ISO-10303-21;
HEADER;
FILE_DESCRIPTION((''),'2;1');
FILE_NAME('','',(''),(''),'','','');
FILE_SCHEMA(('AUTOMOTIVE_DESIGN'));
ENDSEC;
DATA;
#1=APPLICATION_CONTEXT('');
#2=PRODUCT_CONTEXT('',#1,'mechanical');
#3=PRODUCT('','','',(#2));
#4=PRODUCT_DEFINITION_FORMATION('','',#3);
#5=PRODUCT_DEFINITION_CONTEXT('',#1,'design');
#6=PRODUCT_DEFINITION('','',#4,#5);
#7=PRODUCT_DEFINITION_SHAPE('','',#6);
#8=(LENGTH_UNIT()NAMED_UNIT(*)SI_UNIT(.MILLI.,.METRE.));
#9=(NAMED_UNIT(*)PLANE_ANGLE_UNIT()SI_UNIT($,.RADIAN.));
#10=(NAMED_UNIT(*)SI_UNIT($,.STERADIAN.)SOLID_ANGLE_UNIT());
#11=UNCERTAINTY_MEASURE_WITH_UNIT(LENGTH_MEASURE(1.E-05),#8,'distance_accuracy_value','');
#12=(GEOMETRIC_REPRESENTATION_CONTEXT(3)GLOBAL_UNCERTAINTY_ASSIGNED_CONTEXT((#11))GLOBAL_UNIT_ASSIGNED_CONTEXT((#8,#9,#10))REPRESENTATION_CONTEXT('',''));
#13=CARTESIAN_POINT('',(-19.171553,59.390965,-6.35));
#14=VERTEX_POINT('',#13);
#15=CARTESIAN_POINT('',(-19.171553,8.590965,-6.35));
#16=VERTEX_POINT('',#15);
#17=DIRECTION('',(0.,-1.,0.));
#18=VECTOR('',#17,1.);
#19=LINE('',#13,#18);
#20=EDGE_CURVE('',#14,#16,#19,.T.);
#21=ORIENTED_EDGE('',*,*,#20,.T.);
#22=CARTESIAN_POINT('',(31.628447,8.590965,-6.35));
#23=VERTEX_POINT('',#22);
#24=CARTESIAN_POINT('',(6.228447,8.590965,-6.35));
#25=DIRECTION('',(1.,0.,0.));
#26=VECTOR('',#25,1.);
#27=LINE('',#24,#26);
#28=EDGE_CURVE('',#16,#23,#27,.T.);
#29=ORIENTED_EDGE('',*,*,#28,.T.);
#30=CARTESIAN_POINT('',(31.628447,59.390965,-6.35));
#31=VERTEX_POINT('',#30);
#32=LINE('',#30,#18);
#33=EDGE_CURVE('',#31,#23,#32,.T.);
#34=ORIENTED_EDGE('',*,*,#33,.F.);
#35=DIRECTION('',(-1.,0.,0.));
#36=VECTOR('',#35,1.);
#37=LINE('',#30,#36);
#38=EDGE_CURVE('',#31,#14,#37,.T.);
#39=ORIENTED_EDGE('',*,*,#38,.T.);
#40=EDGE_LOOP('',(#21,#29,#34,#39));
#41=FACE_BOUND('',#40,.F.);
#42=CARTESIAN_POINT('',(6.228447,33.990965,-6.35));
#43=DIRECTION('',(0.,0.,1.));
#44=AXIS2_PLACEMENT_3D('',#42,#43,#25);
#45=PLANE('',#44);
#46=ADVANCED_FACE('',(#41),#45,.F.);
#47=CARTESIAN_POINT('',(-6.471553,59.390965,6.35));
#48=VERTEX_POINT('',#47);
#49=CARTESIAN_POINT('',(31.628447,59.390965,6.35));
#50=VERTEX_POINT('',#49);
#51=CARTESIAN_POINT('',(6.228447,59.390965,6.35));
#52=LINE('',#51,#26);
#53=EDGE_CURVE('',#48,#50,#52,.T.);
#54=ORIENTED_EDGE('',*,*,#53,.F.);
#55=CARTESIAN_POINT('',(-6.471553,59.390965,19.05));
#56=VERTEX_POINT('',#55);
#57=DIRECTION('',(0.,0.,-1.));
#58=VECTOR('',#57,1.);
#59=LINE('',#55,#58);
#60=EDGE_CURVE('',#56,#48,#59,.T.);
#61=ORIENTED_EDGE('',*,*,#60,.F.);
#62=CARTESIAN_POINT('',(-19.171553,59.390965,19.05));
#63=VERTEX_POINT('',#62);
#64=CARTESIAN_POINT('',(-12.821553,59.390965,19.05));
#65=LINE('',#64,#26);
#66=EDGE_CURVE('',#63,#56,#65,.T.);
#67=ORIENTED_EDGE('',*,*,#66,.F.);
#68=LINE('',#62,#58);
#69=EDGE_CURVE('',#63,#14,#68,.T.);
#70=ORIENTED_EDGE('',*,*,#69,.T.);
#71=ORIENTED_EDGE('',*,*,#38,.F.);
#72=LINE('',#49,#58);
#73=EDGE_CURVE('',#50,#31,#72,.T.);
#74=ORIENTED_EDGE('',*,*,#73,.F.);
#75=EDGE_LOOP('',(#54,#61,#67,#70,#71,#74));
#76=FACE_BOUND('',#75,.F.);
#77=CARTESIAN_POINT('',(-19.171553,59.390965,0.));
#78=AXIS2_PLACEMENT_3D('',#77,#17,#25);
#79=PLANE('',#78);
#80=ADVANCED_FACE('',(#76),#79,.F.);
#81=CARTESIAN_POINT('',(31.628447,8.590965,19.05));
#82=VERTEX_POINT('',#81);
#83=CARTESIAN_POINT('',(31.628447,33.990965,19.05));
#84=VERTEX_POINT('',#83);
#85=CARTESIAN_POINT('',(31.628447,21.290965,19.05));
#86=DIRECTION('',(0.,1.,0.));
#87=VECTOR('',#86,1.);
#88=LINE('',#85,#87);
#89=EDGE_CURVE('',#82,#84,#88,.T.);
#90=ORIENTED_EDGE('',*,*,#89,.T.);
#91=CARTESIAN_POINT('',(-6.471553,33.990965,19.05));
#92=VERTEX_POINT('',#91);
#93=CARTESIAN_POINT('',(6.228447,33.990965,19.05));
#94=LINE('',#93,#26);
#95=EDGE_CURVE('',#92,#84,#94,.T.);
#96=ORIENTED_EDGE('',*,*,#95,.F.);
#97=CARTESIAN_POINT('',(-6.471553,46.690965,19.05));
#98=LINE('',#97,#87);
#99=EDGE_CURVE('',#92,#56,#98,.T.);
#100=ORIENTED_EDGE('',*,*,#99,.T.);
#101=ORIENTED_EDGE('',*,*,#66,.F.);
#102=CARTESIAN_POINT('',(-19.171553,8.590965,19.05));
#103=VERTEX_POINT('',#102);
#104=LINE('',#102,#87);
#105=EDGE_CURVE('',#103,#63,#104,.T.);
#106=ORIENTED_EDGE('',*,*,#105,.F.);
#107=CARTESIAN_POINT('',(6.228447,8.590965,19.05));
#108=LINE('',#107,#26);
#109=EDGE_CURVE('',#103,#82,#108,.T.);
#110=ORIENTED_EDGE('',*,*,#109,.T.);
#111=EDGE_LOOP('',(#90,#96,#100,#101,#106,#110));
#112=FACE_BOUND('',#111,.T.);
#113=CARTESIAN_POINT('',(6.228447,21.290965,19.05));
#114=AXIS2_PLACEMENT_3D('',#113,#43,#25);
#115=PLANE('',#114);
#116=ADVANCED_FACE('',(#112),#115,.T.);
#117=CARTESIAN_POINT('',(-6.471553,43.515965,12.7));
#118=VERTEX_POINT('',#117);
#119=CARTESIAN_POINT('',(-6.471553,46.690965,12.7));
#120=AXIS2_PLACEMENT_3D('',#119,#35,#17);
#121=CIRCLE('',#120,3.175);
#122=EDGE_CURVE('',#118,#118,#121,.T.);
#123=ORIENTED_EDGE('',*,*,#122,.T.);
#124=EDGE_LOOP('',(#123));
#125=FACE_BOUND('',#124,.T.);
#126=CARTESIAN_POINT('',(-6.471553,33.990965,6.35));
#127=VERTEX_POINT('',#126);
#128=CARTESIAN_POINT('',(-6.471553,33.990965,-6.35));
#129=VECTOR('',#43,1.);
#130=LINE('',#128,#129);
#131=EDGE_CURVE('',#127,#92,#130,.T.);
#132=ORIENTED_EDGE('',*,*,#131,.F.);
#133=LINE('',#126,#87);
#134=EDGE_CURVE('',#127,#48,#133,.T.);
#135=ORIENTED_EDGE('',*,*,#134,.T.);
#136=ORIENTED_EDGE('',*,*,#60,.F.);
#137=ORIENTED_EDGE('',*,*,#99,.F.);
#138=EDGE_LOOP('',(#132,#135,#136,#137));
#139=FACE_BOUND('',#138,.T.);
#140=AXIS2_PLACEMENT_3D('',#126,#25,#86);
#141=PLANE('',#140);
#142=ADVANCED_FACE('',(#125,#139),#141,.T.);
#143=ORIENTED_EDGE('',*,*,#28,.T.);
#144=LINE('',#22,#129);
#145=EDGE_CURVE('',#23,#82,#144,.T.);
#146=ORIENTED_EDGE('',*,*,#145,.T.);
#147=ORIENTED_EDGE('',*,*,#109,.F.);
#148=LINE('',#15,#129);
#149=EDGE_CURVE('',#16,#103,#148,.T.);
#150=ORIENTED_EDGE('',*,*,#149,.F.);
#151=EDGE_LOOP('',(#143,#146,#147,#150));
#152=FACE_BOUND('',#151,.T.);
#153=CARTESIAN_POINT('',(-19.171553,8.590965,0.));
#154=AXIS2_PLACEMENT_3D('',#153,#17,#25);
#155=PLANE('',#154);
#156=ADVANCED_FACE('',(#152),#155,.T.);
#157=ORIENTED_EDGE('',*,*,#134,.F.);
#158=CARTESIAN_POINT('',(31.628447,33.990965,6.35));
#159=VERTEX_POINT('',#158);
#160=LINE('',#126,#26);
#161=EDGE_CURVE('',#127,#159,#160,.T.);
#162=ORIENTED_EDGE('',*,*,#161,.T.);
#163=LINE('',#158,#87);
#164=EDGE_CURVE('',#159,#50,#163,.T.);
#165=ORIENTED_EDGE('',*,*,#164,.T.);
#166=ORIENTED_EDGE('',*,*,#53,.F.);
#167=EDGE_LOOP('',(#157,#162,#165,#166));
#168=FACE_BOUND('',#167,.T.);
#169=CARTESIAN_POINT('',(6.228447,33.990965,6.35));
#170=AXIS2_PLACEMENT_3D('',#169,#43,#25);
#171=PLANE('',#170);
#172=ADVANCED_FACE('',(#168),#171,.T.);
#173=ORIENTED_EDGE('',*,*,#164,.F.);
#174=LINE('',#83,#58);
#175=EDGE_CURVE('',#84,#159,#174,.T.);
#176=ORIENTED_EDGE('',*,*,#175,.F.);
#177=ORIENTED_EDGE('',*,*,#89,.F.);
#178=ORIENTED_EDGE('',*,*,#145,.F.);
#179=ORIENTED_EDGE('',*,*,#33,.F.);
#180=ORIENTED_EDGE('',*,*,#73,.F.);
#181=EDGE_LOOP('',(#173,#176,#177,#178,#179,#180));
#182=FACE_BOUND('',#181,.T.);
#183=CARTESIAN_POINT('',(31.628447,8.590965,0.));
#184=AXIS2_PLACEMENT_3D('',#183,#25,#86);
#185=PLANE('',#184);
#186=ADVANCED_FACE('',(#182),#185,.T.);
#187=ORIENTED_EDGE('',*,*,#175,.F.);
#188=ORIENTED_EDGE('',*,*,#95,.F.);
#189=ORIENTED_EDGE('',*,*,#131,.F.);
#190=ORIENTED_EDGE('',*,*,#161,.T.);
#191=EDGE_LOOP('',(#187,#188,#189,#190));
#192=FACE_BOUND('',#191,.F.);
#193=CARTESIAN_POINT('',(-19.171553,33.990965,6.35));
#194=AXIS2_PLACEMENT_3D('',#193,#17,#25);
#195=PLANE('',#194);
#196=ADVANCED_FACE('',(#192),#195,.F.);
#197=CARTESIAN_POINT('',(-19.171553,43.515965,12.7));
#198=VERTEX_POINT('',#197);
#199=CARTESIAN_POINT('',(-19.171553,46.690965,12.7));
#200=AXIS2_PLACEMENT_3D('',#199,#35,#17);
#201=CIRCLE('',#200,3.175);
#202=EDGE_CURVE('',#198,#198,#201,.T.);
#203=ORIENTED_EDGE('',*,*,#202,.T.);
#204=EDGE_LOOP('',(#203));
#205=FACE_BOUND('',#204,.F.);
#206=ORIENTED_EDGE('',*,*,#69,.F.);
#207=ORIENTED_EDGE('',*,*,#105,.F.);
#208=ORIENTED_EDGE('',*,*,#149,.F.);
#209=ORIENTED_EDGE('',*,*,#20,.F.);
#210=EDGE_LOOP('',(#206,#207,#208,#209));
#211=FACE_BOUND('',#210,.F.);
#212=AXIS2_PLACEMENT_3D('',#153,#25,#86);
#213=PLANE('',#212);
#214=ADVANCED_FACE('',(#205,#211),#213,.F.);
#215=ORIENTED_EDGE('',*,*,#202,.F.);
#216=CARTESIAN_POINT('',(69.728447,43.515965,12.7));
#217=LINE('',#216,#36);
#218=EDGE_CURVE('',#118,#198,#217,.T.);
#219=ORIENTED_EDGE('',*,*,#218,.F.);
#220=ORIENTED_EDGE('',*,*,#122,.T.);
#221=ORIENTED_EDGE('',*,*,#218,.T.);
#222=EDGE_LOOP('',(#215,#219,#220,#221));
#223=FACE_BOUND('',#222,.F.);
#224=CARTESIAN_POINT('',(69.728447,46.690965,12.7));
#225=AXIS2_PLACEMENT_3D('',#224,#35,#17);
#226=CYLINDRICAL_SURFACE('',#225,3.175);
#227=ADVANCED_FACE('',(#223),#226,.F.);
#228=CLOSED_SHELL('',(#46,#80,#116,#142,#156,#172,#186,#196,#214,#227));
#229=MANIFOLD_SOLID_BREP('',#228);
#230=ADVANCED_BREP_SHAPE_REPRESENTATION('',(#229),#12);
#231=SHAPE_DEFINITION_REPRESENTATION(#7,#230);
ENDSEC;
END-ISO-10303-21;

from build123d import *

# Parameters (mm, degrees)
F0_W     = 50.8
F0_H     = 50.8
F1_DEPTH = 6.35
F2_W     = 50.8
F2_H     = 25.4
F3_DEPTH = 12.7
F4_W     = 12.7
F4_H     = 25.4
F5_DEPTH = 12.7
F7_D     = 6.35


with BuildPart() as f1:
    # F0 (on Top) → F1 (new body, symmetric)
    with BuildSketch(Plane.XY):
        with Locations((6.228447, 33.990965)):
            Rectangle(F0_W, F0_H)
    extrude(amount=F1_DEPTH, both=True)

    # F2 (on face) → F3 (join, symmetric)
    with BuildSketch(Plane.XY.offset(6.35)):
        with Locations((6.228447, 21.290965)):
            Rectangle(F2_W, F2_H)
    extrude(amount=F3_DEPTH, both=True)

    # F4 (on face) → F5 (join, symmetric)
    with BuildSketch(Plane.XY.offset(6.35)):
        with Locations((-12.821553, 46.690965)):
            Rectangle(F4_W, F4_H)
    extrude(amount=F5_DEPTH, both=True)

    # F7 (through all)
    with Locations(Plane.YZ.offset(-6.471553)):
        with Locations((46.690965, 12.7)):
            Hole(F7_D / 2)


solid = f1.part
